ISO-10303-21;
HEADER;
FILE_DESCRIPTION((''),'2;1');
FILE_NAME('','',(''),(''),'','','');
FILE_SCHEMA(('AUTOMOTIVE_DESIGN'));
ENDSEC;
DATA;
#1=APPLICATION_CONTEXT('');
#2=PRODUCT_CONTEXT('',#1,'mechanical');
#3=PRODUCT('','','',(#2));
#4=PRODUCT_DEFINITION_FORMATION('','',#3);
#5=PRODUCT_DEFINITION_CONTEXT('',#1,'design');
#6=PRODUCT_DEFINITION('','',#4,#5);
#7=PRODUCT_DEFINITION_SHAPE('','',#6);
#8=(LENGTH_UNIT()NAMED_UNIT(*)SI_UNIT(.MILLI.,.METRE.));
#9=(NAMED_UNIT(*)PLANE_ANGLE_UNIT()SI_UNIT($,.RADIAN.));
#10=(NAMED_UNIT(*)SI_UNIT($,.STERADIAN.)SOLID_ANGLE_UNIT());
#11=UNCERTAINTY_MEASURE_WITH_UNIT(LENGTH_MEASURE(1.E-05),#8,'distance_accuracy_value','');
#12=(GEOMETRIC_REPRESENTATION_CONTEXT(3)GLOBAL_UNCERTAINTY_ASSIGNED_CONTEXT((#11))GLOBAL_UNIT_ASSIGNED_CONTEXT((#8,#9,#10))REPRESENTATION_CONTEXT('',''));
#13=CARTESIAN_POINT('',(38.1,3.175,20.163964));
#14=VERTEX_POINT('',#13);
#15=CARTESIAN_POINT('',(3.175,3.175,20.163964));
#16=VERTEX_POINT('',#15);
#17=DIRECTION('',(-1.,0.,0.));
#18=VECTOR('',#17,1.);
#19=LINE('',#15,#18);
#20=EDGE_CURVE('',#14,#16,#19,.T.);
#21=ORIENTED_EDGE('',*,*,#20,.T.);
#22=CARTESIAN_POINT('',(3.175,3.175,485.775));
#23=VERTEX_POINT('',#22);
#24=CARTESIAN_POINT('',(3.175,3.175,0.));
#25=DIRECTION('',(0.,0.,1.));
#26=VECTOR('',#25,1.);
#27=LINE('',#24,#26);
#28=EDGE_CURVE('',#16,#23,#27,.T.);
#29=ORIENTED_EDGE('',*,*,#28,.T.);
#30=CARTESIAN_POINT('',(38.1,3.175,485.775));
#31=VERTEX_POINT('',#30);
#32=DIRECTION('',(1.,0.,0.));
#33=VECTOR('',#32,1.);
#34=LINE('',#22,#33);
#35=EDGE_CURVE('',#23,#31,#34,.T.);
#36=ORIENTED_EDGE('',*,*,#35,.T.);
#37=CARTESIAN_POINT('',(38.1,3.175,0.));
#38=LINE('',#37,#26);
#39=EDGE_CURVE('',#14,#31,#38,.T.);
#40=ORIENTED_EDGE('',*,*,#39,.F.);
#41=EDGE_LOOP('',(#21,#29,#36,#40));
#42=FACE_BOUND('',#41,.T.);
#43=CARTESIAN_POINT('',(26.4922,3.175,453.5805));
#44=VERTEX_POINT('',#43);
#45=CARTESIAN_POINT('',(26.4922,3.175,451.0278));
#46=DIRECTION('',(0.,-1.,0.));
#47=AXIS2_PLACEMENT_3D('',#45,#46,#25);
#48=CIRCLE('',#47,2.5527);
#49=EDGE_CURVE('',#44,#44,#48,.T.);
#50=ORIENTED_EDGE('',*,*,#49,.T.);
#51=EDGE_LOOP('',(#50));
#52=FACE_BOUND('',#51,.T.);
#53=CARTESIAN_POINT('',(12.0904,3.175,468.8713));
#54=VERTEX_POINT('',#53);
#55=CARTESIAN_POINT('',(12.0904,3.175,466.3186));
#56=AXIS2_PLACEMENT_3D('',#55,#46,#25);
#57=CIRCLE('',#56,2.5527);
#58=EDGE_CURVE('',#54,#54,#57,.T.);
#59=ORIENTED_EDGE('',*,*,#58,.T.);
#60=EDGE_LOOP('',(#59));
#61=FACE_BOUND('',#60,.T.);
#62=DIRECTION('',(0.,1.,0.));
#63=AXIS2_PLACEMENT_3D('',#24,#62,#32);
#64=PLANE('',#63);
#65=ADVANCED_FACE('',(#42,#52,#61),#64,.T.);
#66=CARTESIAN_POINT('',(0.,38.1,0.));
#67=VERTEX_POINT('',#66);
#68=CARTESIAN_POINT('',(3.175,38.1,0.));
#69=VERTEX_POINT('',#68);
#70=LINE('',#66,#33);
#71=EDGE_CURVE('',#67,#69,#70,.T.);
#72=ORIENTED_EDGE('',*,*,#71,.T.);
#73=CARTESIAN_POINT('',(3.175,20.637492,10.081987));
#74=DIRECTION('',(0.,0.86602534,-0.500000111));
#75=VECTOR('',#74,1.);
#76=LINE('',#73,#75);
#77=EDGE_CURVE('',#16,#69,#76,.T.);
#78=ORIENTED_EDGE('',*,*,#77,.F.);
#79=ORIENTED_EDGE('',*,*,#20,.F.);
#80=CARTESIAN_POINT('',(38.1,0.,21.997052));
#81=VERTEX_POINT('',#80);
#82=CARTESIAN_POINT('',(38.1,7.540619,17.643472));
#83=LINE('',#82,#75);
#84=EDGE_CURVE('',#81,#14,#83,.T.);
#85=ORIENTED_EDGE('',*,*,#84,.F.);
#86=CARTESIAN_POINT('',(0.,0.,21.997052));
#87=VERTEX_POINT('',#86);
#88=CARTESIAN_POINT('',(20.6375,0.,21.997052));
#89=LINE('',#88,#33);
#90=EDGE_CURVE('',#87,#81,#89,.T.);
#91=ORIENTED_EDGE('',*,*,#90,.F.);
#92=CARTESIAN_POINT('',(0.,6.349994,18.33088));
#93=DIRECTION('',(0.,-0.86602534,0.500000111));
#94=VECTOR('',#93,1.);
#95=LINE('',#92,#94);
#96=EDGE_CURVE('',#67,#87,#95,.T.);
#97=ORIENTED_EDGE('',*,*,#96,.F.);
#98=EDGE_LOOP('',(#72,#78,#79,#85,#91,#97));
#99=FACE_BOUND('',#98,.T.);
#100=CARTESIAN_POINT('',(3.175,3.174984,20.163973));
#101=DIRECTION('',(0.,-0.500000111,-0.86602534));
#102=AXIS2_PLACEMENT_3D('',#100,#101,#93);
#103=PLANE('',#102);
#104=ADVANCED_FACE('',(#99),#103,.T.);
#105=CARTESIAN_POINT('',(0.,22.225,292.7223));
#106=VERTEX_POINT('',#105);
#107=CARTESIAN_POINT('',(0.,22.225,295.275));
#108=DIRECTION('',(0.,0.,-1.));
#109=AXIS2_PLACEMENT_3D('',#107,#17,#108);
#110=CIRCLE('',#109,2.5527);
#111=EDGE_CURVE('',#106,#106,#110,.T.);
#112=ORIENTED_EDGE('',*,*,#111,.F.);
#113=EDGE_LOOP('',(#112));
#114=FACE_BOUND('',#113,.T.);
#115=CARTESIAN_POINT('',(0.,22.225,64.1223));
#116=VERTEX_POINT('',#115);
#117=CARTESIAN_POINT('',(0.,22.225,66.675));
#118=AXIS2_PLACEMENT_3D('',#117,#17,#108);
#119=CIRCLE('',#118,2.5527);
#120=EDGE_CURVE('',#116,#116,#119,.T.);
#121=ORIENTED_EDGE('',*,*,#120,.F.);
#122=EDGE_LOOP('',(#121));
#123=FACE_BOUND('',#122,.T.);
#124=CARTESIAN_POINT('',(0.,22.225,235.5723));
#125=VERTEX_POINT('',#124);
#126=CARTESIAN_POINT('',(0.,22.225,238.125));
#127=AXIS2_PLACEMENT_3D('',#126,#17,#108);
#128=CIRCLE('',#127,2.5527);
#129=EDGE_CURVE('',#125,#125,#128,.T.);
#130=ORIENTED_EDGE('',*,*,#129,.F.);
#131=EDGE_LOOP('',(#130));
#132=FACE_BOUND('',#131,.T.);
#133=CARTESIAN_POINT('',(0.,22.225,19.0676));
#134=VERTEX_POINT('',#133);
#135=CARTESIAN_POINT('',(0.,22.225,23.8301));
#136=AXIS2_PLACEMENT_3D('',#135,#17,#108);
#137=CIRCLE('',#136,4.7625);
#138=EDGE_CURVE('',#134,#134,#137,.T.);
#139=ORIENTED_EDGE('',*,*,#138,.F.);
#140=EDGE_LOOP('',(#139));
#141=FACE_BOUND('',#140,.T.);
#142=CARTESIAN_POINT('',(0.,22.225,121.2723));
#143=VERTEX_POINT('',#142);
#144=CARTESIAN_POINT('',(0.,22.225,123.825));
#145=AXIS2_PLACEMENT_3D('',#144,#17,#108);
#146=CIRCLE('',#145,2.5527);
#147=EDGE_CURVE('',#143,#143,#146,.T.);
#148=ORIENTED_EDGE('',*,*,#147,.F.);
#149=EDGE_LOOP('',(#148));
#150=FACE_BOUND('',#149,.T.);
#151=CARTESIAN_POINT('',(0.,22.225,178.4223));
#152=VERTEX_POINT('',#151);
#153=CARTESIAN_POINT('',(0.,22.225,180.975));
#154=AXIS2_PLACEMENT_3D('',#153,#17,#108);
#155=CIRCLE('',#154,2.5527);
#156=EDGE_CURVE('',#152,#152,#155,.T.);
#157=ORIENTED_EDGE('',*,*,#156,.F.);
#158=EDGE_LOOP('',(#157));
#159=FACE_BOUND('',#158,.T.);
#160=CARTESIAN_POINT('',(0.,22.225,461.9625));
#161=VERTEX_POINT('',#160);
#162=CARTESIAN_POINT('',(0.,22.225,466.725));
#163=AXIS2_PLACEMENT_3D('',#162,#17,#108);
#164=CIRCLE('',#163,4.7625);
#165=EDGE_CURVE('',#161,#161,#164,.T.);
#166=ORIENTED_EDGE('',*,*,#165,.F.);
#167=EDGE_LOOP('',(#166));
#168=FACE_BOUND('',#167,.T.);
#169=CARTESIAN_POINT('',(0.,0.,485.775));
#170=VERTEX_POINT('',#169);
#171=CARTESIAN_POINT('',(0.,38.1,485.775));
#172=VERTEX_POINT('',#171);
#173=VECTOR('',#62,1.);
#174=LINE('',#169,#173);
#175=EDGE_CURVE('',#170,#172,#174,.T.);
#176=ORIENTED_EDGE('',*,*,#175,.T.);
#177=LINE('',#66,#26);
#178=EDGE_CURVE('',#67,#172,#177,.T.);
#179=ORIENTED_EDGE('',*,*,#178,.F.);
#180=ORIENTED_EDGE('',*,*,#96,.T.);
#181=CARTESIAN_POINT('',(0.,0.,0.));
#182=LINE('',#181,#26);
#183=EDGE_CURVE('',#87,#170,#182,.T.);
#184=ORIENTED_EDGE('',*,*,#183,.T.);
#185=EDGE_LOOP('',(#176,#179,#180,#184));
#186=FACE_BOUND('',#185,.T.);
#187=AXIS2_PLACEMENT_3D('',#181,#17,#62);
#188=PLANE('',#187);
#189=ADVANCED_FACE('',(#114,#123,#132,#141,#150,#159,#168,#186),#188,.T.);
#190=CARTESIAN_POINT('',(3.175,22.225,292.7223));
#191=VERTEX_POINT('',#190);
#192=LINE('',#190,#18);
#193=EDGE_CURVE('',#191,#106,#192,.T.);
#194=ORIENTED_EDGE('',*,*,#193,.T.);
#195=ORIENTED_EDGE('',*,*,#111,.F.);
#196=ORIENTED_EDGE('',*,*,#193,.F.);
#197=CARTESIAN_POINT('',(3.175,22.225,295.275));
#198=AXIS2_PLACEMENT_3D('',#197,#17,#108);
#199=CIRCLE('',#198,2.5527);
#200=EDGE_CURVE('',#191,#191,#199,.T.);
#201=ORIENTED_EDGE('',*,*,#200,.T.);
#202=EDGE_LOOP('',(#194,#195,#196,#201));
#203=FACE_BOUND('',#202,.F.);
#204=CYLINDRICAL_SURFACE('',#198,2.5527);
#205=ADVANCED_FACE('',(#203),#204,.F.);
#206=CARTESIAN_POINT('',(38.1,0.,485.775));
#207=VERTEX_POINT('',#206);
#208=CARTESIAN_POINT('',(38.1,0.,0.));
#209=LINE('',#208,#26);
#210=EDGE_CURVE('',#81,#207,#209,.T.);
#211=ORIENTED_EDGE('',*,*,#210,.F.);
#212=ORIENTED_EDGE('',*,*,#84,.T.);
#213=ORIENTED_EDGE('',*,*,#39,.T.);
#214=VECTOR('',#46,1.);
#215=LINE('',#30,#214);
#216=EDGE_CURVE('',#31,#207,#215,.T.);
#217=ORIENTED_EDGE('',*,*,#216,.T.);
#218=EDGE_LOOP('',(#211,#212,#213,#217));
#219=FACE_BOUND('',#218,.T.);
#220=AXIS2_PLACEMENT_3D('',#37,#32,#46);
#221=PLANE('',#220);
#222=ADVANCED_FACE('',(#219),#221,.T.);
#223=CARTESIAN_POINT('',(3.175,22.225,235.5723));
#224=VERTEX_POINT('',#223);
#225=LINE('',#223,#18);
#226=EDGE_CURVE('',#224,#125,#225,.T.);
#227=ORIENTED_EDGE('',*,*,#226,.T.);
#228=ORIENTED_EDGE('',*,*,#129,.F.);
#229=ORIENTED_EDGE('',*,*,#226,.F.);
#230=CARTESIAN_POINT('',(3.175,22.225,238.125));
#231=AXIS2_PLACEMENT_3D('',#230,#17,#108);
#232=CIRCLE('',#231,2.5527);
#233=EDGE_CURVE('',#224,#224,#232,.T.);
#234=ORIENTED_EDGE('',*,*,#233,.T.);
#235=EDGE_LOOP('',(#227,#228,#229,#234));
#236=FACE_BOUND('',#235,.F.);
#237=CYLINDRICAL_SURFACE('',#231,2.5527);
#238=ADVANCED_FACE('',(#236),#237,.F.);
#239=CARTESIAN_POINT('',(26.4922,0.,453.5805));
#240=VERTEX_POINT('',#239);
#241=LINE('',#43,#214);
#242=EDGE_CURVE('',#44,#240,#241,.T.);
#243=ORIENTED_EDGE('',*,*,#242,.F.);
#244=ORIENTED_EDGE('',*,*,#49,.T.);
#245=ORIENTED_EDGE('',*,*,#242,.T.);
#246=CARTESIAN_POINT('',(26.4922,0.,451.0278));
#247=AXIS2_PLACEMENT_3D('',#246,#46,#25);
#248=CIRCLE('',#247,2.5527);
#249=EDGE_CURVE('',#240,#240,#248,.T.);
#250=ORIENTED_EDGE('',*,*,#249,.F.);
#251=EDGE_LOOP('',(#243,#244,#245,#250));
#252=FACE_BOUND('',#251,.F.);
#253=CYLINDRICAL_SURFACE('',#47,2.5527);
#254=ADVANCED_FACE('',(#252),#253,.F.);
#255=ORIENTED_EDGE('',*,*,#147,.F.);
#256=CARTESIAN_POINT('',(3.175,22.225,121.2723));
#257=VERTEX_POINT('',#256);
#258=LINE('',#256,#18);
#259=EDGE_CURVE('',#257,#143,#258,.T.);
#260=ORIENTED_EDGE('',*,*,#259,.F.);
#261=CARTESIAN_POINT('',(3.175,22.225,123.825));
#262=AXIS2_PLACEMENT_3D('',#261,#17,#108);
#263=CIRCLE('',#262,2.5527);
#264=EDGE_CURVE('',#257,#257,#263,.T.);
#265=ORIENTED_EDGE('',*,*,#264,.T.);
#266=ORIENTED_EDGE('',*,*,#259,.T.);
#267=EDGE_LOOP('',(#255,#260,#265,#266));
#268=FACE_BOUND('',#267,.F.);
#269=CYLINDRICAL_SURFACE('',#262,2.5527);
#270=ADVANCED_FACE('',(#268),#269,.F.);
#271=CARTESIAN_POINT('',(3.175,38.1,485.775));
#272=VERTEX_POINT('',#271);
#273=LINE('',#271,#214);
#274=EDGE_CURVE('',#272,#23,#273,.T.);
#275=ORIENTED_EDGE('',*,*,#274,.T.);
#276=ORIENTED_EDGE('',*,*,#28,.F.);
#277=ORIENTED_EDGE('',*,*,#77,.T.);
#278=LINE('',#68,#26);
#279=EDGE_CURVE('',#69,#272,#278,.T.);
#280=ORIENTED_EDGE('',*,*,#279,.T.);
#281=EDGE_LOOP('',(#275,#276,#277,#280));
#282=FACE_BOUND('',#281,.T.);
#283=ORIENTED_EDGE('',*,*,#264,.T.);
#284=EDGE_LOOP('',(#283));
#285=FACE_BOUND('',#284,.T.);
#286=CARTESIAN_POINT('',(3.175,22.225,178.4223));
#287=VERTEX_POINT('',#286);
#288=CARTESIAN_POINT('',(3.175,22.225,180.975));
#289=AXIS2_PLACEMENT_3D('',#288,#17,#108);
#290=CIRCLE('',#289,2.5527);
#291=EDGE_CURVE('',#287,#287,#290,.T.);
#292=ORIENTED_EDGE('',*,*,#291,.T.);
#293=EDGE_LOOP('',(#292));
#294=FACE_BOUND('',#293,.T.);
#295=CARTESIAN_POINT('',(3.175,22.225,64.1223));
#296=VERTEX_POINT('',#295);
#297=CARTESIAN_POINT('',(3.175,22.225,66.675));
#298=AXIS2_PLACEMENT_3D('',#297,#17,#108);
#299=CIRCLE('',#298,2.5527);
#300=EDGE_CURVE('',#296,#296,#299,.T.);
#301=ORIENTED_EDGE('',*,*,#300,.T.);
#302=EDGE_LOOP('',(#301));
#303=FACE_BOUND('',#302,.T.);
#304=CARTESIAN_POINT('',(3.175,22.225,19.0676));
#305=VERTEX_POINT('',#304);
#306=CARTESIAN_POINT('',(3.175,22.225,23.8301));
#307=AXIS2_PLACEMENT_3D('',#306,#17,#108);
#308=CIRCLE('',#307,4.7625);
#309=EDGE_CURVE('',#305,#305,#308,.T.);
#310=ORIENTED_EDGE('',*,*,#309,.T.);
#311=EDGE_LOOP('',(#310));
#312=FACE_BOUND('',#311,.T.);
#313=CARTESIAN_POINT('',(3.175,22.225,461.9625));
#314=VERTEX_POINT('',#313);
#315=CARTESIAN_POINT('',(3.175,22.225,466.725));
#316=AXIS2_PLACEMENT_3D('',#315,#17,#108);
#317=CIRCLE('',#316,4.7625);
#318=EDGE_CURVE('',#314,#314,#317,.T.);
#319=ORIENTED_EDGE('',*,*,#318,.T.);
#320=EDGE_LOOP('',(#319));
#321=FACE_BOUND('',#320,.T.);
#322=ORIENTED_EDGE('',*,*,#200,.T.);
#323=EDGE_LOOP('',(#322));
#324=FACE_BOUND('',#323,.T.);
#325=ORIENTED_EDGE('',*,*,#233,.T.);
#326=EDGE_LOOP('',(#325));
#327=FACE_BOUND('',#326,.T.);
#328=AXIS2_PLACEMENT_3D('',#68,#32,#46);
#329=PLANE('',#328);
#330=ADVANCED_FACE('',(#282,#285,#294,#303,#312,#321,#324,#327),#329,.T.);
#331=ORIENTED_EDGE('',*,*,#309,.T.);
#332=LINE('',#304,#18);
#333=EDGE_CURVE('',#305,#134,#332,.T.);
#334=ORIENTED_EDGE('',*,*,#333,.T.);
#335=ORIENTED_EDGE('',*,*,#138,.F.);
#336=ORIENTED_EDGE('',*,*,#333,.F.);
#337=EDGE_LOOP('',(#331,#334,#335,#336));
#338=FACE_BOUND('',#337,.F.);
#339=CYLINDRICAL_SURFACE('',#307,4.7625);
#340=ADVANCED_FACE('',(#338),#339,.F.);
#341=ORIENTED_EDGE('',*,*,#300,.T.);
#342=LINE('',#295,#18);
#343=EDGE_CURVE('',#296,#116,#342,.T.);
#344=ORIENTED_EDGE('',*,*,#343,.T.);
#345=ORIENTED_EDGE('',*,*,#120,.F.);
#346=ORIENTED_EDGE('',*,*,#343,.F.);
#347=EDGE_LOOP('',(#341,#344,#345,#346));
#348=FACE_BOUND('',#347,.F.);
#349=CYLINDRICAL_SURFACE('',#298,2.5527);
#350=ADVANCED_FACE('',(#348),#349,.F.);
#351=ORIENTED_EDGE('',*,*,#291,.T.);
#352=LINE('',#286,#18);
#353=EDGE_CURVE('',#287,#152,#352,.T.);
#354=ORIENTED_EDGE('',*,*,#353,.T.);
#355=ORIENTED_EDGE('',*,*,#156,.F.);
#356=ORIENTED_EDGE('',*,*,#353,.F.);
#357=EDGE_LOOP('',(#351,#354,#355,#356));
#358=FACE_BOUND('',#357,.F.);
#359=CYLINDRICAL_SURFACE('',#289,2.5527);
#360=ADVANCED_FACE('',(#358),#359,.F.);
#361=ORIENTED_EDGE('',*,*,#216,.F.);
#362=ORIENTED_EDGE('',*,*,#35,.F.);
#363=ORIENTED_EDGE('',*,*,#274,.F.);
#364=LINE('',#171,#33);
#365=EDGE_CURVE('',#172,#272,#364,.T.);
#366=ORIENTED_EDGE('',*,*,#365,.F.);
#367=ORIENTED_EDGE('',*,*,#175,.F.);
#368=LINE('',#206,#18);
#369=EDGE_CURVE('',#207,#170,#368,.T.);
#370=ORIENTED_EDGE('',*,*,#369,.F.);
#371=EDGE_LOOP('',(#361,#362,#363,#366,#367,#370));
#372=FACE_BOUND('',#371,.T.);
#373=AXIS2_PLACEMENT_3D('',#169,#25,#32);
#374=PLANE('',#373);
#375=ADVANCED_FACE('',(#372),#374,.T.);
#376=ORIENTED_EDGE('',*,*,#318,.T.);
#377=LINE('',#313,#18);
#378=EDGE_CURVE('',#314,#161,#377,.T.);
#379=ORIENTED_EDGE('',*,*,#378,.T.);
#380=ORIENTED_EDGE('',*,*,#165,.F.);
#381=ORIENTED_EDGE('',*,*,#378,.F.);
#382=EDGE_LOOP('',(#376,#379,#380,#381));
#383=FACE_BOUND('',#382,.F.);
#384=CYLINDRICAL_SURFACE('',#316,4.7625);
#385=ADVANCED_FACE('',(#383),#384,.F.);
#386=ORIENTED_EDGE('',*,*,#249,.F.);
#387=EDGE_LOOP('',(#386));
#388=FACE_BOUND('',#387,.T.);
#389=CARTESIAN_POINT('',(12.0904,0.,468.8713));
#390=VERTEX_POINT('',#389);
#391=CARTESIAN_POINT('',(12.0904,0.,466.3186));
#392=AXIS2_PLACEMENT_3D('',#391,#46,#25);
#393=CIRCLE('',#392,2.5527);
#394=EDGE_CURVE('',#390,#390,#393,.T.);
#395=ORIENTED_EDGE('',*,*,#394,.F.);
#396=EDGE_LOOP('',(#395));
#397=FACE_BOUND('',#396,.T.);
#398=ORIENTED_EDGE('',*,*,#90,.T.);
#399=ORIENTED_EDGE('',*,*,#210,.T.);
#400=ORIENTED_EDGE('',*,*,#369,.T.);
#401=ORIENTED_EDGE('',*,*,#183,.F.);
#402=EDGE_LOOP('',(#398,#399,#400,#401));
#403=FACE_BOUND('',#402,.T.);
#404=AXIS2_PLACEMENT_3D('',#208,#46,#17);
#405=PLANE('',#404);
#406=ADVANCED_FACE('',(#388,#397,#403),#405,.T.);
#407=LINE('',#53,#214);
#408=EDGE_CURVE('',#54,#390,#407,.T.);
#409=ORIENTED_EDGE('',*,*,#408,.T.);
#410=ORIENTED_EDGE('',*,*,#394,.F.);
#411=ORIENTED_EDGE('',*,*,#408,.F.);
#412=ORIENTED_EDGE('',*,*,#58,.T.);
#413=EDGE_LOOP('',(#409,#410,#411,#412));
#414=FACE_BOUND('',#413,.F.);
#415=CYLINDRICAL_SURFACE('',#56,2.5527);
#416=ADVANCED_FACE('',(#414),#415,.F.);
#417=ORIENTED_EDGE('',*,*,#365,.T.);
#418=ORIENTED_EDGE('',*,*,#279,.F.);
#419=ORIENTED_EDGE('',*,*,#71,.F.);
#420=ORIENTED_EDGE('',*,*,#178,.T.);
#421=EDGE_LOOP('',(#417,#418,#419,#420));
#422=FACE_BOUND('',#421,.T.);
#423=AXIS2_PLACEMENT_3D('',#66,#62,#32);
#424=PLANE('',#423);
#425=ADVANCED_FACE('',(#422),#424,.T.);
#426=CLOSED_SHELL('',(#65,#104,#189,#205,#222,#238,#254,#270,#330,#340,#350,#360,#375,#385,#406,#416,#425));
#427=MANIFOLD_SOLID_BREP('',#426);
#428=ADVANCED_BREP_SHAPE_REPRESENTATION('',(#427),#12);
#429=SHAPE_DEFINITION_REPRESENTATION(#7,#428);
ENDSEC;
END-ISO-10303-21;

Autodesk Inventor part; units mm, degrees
ref_plane "YZ Plane" through (0, 0, 0) normal (1, 0, 0) x (0, 1, 0)
ref_plane "XZ Plane" through (0, 0, 0) normal (0, 1, 0) x (-1, 0, 0)
ref_plane "XY Plane" through (0, 0, 0) normal (0, 0, 1) x (1, 0, 0)
sketch "Sketch1" plane through (0, 0, 0) normal (0, 0, 1) x (1, 0, 0)
  line L0 (0, 0) -> (0, 38.1)
  line L1 (0, 38.1) -> (3.175, 38.1)
  line L2 (3.175, 38.1) -> (3.175, 3.175)
  line L3 (3.175, 3.175) -> (38.1, 3.175)
  line L4 (38.1, 3.175) -> (38.1, 0)
  line L5 (38.1, 0) -> (0, 0)
  dimension "d0" = 38.1
  dimension "d1" = 3.175
extrude "Extrusion1" add sketch "Sketch1" along normal blind 485.775
sketch "Sketch4" plane through (3.175, 3.175, 0) normal (1, 0, 0) x (0, 0, -1)
  line L0 (0, 0) -> (-485.775, 0) projected
  line L1 (0, -3.175) -> (0, 34.925) projected
  line L2 (0, 34.925) -> (-26.0631, -10.2176)
  line L3 (-26.0631, -10.2176) -> (14.7874, -10.2176)
  line L4 (14.7874, -10.2176) -> (14.7874, 34.925)
  line L5 (14.7874, 34.925) -> (0, 34.925)
  line L6 (-20.164, 0) -> (29.2522, 0)
  dimension "d6" = 60
extrude "Extrusion2" cut sketch "Sketch4" along normal mid plane 476.25
sketch "Sketch5" plane through (3.175, 3.175, 485.775) normal (1, 0, 0) x (0, 0, -1)
  line L0 (0, 0) -> (0, 34.925) projected
  line L1 (465.611, 0) -> (0, 0) projected
  line L2 (465.611, 0) -> (485.775, 34.925) projected
  line L3 (485.775, 34.925) -> (0, 34.925) projected
  line L4 (471.1103, 34.925) -> (450.9463, 0)
  point P0 (485.775, -3.175)
  point P1 (19.05, 19.05)
  point P2 (461.9449, 19.05)
  dimension "d9" = 19.05
  dimension "d10" = 19.05
  dimension "d11" = 12.7
hole "Hole1" at (3.175, 22.225, 466.725) at (3.175, 22.225, 23.8301) direction (-1, 0, 0) diameter 9.525 end through all
sketch "Sketch6" plane through (3.175, 3.175, 485.775) normal (0, 1, 0) x (1, 0, 0)
  line L0 (0, 485.775) -> (0, 0) projected
  line L1 (34.925, 0) -> (0, 0) projected
  line L2 (34.925, 465.611) -> (34.925, 0) projected
  point P0 (-3.175, 485.775)
  point P1 (23.3172, 34.7472)
  point P2 (8.9154, 19.4564)
  dimension "d20" = 8.9154
  dimension "d21" = 19.4564
  dimension "d22" = 11.6078
  dimension "d23" = 34.7472
hole "Hole2" at (26.4922, 3.175, 451.0278) at (12.0904, 3.175, 466.3186) direction (0, -1, 0) diameter 5.1054 end through all
sketch "Sketch7" plane through (3.175, 3.175, 485.775) normal (1, 0, 0) x (0, 0, -1)
  circle A0 centre (19.05, 19.05) radius 4.7625 projected
  line L0 (0, 0) -> (0, 34.925) projected
  point P0 (485.775, -3.175)
  point P1 (190.5, 19.05)
  point P2 (247.65, 19.05)
  point P3 (304.8, 19.05)
  point P4 (361.95, 19.05)
  point P5 (419.1, 19.05)
  dimension "d31" = 190.5
  dimension "d32" = 57.15
  dimension "d35" = 57.15
  dimension "d45" = 57.15
  dimension "d46" = 57.15
hole "Hole3" at (3.175, 22.225, 295.275) at (3.175, 22.225, 238.125) at (3.175, 22.225, 180.975) at (3.175, 22.225, 123.825) at (3.175, 22.225, 66.675) direction (-1, 0, 0) diameter 5.1054 end through all clearance for "Flat Head Machine Screw (82)" size "#10" standard "Ansi Unified Screw Threads"
properties part number "CLB_084_ClimberMountTopAngle" material "Aluminum 6061"
